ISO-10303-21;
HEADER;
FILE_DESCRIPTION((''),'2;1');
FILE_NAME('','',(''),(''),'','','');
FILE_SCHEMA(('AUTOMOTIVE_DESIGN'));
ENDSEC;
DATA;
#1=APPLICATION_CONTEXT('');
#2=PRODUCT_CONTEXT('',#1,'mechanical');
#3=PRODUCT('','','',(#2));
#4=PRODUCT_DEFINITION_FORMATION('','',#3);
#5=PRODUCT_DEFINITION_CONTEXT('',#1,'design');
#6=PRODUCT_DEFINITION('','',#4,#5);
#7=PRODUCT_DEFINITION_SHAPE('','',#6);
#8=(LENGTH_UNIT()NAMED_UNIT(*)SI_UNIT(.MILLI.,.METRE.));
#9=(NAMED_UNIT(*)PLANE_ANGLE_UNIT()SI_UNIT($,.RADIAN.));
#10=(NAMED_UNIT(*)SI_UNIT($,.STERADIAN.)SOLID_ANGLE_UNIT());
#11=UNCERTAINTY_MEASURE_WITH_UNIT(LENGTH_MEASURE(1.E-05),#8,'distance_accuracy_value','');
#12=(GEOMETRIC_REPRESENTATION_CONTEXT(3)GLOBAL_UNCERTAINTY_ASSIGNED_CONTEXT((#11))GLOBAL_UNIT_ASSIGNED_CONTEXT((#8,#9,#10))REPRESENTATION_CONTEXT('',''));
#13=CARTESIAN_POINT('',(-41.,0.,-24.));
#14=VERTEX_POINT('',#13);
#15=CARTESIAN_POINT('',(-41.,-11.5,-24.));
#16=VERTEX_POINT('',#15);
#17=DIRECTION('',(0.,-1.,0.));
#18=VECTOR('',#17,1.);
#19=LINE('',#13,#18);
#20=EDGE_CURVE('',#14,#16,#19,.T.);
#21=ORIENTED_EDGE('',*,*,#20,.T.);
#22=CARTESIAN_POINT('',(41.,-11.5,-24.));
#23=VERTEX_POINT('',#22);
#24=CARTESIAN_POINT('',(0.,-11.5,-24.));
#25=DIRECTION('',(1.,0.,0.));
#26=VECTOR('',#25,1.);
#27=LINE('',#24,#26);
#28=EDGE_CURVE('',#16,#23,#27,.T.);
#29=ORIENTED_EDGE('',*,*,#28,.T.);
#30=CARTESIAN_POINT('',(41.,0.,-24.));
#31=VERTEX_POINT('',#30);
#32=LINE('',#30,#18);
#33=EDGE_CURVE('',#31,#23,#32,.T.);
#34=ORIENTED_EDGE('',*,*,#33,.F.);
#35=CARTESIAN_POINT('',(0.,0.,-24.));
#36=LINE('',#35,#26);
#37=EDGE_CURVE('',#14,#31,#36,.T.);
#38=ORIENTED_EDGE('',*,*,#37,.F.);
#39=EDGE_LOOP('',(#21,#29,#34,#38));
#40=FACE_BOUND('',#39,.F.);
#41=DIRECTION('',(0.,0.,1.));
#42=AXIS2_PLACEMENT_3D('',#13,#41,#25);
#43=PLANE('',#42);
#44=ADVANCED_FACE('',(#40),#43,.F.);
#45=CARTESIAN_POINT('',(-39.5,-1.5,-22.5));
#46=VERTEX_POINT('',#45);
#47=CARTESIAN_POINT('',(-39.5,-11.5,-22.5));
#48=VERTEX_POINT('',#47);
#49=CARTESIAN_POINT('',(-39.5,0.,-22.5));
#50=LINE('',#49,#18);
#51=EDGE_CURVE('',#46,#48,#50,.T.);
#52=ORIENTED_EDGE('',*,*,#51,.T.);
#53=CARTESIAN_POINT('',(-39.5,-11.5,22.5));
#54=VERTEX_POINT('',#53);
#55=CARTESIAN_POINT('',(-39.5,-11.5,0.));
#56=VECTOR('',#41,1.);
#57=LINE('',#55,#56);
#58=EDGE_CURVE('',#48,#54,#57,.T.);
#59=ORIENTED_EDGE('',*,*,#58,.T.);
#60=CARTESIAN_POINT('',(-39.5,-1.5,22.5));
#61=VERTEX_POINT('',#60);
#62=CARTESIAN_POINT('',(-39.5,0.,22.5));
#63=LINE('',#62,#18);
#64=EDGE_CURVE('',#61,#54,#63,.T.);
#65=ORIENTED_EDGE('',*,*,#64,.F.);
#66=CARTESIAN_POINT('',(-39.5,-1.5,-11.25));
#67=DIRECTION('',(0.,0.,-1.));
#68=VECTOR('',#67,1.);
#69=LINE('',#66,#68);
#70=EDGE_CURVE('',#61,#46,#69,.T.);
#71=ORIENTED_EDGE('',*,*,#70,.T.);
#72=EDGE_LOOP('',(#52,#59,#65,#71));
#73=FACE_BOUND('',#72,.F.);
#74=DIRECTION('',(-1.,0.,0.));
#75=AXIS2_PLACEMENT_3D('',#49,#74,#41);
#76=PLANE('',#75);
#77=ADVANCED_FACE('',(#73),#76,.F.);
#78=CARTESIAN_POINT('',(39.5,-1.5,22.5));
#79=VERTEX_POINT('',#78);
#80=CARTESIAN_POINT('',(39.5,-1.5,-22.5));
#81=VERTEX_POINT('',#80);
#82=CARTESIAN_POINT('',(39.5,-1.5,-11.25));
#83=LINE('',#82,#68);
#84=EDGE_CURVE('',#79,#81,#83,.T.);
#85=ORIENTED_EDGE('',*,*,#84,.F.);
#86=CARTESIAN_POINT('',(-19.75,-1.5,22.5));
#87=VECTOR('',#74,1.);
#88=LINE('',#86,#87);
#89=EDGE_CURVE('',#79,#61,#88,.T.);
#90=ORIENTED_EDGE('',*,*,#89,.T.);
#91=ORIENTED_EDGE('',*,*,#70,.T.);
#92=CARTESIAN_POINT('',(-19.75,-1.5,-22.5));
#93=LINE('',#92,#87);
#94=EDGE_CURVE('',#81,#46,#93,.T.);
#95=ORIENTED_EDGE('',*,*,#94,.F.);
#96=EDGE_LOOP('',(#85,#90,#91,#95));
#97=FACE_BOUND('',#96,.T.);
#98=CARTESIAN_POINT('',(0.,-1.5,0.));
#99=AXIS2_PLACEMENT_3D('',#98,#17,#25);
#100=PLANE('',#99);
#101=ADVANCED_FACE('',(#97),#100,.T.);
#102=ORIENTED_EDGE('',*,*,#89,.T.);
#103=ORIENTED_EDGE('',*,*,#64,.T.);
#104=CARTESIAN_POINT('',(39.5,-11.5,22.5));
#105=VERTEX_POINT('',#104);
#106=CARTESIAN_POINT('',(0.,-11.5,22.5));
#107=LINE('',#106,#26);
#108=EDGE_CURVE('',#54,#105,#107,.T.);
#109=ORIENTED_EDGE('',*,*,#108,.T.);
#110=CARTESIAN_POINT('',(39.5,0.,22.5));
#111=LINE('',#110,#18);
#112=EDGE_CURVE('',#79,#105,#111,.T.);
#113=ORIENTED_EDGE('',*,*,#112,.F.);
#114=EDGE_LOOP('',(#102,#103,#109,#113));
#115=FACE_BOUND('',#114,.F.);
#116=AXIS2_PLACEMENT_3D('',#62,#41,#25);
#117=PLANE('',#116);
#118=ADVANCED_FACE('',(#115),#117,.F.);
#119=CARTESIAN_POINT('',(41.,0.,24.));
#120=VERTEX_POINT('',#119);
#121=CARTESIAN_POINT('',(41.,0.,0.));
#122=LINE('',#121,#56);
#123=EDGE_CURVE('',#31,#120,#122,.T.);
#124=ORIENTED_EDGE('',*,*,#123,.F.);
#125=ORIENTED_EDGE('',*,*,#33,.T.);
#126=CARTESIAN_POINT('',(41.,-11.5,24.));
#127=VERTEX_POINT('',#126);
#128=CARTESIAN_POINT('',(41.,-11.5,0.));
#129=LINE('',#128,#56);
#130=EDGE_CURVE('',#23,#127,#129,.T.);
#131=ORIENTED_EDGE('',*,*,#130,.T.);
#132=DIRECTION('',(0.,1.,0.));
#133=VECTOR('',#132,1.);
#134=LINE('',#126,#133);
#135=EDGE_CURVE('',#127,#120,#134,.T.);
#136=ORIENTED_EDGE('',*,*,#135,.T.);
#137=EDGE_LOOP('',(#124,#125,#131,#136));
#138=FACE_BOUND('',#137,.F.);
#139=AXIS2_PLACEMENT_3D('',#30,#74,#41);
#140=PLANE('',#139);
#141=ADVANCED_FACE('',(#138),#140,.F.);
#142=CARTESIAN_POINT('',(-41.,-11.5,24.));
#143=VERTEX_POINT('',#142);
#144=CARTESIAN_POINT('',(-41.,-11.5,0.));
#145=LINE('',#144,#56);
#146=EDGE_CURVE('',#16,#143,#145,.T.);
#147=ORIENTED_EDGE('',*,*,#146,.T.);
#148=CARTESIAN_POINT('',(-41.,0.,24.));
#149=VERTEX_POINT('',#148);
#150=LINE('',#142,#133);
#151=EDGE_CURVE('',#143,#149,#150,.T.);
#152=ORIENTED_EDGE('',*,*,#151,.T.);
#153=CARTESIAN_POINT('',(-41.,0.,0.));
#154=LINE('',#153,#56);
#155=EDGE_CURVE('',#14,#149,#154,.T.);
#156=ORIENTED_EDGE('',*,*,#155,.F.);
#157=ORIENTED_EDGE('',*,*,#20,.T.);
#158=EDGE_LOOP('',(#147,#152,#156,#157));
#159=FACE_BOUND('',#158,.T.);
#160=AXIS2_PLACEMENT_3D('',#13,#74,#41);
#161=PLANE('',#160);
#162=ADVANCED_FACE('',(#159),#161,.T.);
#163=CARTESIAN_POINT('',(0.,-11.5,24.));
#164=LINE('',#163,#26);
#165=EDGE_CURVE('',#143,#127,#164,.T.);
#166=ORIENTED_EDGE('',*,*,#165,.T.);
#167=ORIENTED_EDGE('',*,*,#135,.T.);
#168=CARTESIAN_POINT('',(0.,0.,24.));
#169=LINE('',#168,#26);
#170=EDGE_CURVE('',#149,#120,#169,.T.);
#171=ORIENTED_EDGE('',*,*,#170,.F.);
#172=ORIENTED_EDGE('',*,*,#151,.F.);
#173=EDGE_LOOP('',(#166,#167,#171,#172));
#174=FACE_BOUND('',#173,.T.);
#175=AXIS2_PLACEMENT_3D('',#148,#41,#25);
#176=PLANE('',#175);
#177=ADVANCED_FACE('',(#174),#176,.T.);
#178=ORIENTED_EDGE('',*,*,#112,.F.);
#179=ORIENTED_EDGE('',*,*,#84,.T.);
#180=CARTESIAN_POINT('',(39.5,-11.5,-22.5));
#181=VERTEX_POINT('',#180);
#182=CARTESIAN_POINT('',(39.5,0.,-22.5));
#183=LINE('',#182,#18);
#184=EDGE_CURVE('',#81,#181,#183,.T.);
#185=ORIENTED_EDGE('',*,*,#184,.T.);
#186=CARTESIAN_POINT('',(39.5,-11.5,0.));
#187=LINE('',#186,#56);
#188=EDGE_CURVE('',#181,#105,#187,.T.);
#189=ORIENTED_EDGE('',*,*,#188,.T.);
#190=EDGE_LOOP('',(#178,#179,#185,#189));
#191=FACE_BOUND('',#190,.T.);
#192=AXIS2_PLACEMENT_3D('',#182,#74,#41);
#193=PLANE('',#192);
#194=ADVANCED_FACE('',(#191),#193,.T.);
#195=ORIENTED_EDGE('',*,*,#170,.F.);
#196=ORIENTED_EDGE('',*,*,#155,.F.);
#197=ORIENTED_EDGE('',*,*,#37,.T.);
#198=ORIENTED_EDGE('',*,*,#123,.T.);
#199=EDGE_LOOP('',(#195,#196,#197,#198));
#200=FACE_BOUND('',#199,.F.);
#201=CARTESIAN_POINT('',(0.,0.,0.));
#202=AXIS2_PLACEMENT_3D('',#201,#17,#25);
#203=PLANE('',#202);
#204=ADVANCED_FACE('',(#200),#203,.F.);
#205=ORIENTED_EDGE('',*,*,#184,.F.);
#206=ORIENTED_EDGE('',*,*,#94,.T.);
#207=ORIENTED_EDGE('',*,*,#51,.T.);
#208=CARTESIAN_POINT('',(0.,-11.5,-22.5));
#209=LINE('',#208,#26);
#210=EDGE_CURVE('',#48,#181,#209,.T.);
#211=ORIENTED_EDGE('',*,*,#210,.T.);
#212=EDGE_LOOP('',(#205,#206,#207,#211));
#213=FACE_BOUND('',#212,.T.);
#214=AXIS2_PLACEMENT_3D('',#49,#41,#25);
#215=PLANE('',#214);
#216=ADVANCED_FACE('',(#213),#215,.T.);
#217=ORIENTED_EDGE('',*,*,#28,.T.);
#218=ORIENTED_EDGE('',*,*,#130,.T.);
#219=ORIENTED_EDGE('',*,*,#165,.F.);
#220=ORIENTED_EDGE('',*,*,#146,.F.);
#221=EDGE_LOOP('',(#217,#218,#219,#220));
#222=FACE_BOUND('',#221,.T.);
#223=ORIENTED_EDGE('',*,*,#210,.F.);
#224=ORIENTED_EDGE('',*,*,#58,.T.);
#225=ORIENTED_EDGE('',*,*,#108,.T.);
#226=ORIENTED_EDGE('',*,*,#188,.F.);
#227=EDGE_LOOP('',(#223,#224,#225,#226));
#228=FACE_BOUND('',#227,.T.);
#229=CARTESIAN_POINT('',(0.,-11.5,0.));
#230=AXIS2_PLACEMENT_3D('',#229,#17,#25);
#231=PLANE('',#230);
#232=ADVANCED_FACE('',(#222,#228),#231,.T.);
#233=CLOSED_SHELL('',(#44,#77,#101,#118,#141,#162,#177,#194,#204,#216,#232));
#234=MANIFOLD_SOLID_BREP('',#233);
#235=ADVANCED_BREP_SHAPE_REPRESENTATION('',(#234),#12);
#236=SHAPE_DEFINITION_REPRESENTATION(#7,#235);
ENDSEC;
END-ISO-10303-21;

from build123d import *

# Parameters (mm, degrees)
F0_W     = 82
F0_H     = 48
F0_W_2   = 79
F0_H_2   = 45
F1_DEPTH = 1.5
F2_DEPTH = 11.5


with BuildPart() as f1:
    # F0 (on Front) → F1 (new body)
    with BuildSketch(Plane.XZ):
        Rectangle(F0_W, F0_H)
        Rectangle(F0_W_2, F0_H_2, mode=Mode.SUBTRACT)
        Rectangle(F0_W_2, F0_H_2)
    extrude(amount=F1_DEPTH)

    # F0 (on Front) → F2 (join)
    with BuildSketch(Plane.XZ):
        Rectangle(F0_W, F0_H)
        Rectangle(F0_W_2, F0_H_2, mode=Mode.SUBTRACT)
    extrude(amount=F2_DEPTH)


solid = f1.part
